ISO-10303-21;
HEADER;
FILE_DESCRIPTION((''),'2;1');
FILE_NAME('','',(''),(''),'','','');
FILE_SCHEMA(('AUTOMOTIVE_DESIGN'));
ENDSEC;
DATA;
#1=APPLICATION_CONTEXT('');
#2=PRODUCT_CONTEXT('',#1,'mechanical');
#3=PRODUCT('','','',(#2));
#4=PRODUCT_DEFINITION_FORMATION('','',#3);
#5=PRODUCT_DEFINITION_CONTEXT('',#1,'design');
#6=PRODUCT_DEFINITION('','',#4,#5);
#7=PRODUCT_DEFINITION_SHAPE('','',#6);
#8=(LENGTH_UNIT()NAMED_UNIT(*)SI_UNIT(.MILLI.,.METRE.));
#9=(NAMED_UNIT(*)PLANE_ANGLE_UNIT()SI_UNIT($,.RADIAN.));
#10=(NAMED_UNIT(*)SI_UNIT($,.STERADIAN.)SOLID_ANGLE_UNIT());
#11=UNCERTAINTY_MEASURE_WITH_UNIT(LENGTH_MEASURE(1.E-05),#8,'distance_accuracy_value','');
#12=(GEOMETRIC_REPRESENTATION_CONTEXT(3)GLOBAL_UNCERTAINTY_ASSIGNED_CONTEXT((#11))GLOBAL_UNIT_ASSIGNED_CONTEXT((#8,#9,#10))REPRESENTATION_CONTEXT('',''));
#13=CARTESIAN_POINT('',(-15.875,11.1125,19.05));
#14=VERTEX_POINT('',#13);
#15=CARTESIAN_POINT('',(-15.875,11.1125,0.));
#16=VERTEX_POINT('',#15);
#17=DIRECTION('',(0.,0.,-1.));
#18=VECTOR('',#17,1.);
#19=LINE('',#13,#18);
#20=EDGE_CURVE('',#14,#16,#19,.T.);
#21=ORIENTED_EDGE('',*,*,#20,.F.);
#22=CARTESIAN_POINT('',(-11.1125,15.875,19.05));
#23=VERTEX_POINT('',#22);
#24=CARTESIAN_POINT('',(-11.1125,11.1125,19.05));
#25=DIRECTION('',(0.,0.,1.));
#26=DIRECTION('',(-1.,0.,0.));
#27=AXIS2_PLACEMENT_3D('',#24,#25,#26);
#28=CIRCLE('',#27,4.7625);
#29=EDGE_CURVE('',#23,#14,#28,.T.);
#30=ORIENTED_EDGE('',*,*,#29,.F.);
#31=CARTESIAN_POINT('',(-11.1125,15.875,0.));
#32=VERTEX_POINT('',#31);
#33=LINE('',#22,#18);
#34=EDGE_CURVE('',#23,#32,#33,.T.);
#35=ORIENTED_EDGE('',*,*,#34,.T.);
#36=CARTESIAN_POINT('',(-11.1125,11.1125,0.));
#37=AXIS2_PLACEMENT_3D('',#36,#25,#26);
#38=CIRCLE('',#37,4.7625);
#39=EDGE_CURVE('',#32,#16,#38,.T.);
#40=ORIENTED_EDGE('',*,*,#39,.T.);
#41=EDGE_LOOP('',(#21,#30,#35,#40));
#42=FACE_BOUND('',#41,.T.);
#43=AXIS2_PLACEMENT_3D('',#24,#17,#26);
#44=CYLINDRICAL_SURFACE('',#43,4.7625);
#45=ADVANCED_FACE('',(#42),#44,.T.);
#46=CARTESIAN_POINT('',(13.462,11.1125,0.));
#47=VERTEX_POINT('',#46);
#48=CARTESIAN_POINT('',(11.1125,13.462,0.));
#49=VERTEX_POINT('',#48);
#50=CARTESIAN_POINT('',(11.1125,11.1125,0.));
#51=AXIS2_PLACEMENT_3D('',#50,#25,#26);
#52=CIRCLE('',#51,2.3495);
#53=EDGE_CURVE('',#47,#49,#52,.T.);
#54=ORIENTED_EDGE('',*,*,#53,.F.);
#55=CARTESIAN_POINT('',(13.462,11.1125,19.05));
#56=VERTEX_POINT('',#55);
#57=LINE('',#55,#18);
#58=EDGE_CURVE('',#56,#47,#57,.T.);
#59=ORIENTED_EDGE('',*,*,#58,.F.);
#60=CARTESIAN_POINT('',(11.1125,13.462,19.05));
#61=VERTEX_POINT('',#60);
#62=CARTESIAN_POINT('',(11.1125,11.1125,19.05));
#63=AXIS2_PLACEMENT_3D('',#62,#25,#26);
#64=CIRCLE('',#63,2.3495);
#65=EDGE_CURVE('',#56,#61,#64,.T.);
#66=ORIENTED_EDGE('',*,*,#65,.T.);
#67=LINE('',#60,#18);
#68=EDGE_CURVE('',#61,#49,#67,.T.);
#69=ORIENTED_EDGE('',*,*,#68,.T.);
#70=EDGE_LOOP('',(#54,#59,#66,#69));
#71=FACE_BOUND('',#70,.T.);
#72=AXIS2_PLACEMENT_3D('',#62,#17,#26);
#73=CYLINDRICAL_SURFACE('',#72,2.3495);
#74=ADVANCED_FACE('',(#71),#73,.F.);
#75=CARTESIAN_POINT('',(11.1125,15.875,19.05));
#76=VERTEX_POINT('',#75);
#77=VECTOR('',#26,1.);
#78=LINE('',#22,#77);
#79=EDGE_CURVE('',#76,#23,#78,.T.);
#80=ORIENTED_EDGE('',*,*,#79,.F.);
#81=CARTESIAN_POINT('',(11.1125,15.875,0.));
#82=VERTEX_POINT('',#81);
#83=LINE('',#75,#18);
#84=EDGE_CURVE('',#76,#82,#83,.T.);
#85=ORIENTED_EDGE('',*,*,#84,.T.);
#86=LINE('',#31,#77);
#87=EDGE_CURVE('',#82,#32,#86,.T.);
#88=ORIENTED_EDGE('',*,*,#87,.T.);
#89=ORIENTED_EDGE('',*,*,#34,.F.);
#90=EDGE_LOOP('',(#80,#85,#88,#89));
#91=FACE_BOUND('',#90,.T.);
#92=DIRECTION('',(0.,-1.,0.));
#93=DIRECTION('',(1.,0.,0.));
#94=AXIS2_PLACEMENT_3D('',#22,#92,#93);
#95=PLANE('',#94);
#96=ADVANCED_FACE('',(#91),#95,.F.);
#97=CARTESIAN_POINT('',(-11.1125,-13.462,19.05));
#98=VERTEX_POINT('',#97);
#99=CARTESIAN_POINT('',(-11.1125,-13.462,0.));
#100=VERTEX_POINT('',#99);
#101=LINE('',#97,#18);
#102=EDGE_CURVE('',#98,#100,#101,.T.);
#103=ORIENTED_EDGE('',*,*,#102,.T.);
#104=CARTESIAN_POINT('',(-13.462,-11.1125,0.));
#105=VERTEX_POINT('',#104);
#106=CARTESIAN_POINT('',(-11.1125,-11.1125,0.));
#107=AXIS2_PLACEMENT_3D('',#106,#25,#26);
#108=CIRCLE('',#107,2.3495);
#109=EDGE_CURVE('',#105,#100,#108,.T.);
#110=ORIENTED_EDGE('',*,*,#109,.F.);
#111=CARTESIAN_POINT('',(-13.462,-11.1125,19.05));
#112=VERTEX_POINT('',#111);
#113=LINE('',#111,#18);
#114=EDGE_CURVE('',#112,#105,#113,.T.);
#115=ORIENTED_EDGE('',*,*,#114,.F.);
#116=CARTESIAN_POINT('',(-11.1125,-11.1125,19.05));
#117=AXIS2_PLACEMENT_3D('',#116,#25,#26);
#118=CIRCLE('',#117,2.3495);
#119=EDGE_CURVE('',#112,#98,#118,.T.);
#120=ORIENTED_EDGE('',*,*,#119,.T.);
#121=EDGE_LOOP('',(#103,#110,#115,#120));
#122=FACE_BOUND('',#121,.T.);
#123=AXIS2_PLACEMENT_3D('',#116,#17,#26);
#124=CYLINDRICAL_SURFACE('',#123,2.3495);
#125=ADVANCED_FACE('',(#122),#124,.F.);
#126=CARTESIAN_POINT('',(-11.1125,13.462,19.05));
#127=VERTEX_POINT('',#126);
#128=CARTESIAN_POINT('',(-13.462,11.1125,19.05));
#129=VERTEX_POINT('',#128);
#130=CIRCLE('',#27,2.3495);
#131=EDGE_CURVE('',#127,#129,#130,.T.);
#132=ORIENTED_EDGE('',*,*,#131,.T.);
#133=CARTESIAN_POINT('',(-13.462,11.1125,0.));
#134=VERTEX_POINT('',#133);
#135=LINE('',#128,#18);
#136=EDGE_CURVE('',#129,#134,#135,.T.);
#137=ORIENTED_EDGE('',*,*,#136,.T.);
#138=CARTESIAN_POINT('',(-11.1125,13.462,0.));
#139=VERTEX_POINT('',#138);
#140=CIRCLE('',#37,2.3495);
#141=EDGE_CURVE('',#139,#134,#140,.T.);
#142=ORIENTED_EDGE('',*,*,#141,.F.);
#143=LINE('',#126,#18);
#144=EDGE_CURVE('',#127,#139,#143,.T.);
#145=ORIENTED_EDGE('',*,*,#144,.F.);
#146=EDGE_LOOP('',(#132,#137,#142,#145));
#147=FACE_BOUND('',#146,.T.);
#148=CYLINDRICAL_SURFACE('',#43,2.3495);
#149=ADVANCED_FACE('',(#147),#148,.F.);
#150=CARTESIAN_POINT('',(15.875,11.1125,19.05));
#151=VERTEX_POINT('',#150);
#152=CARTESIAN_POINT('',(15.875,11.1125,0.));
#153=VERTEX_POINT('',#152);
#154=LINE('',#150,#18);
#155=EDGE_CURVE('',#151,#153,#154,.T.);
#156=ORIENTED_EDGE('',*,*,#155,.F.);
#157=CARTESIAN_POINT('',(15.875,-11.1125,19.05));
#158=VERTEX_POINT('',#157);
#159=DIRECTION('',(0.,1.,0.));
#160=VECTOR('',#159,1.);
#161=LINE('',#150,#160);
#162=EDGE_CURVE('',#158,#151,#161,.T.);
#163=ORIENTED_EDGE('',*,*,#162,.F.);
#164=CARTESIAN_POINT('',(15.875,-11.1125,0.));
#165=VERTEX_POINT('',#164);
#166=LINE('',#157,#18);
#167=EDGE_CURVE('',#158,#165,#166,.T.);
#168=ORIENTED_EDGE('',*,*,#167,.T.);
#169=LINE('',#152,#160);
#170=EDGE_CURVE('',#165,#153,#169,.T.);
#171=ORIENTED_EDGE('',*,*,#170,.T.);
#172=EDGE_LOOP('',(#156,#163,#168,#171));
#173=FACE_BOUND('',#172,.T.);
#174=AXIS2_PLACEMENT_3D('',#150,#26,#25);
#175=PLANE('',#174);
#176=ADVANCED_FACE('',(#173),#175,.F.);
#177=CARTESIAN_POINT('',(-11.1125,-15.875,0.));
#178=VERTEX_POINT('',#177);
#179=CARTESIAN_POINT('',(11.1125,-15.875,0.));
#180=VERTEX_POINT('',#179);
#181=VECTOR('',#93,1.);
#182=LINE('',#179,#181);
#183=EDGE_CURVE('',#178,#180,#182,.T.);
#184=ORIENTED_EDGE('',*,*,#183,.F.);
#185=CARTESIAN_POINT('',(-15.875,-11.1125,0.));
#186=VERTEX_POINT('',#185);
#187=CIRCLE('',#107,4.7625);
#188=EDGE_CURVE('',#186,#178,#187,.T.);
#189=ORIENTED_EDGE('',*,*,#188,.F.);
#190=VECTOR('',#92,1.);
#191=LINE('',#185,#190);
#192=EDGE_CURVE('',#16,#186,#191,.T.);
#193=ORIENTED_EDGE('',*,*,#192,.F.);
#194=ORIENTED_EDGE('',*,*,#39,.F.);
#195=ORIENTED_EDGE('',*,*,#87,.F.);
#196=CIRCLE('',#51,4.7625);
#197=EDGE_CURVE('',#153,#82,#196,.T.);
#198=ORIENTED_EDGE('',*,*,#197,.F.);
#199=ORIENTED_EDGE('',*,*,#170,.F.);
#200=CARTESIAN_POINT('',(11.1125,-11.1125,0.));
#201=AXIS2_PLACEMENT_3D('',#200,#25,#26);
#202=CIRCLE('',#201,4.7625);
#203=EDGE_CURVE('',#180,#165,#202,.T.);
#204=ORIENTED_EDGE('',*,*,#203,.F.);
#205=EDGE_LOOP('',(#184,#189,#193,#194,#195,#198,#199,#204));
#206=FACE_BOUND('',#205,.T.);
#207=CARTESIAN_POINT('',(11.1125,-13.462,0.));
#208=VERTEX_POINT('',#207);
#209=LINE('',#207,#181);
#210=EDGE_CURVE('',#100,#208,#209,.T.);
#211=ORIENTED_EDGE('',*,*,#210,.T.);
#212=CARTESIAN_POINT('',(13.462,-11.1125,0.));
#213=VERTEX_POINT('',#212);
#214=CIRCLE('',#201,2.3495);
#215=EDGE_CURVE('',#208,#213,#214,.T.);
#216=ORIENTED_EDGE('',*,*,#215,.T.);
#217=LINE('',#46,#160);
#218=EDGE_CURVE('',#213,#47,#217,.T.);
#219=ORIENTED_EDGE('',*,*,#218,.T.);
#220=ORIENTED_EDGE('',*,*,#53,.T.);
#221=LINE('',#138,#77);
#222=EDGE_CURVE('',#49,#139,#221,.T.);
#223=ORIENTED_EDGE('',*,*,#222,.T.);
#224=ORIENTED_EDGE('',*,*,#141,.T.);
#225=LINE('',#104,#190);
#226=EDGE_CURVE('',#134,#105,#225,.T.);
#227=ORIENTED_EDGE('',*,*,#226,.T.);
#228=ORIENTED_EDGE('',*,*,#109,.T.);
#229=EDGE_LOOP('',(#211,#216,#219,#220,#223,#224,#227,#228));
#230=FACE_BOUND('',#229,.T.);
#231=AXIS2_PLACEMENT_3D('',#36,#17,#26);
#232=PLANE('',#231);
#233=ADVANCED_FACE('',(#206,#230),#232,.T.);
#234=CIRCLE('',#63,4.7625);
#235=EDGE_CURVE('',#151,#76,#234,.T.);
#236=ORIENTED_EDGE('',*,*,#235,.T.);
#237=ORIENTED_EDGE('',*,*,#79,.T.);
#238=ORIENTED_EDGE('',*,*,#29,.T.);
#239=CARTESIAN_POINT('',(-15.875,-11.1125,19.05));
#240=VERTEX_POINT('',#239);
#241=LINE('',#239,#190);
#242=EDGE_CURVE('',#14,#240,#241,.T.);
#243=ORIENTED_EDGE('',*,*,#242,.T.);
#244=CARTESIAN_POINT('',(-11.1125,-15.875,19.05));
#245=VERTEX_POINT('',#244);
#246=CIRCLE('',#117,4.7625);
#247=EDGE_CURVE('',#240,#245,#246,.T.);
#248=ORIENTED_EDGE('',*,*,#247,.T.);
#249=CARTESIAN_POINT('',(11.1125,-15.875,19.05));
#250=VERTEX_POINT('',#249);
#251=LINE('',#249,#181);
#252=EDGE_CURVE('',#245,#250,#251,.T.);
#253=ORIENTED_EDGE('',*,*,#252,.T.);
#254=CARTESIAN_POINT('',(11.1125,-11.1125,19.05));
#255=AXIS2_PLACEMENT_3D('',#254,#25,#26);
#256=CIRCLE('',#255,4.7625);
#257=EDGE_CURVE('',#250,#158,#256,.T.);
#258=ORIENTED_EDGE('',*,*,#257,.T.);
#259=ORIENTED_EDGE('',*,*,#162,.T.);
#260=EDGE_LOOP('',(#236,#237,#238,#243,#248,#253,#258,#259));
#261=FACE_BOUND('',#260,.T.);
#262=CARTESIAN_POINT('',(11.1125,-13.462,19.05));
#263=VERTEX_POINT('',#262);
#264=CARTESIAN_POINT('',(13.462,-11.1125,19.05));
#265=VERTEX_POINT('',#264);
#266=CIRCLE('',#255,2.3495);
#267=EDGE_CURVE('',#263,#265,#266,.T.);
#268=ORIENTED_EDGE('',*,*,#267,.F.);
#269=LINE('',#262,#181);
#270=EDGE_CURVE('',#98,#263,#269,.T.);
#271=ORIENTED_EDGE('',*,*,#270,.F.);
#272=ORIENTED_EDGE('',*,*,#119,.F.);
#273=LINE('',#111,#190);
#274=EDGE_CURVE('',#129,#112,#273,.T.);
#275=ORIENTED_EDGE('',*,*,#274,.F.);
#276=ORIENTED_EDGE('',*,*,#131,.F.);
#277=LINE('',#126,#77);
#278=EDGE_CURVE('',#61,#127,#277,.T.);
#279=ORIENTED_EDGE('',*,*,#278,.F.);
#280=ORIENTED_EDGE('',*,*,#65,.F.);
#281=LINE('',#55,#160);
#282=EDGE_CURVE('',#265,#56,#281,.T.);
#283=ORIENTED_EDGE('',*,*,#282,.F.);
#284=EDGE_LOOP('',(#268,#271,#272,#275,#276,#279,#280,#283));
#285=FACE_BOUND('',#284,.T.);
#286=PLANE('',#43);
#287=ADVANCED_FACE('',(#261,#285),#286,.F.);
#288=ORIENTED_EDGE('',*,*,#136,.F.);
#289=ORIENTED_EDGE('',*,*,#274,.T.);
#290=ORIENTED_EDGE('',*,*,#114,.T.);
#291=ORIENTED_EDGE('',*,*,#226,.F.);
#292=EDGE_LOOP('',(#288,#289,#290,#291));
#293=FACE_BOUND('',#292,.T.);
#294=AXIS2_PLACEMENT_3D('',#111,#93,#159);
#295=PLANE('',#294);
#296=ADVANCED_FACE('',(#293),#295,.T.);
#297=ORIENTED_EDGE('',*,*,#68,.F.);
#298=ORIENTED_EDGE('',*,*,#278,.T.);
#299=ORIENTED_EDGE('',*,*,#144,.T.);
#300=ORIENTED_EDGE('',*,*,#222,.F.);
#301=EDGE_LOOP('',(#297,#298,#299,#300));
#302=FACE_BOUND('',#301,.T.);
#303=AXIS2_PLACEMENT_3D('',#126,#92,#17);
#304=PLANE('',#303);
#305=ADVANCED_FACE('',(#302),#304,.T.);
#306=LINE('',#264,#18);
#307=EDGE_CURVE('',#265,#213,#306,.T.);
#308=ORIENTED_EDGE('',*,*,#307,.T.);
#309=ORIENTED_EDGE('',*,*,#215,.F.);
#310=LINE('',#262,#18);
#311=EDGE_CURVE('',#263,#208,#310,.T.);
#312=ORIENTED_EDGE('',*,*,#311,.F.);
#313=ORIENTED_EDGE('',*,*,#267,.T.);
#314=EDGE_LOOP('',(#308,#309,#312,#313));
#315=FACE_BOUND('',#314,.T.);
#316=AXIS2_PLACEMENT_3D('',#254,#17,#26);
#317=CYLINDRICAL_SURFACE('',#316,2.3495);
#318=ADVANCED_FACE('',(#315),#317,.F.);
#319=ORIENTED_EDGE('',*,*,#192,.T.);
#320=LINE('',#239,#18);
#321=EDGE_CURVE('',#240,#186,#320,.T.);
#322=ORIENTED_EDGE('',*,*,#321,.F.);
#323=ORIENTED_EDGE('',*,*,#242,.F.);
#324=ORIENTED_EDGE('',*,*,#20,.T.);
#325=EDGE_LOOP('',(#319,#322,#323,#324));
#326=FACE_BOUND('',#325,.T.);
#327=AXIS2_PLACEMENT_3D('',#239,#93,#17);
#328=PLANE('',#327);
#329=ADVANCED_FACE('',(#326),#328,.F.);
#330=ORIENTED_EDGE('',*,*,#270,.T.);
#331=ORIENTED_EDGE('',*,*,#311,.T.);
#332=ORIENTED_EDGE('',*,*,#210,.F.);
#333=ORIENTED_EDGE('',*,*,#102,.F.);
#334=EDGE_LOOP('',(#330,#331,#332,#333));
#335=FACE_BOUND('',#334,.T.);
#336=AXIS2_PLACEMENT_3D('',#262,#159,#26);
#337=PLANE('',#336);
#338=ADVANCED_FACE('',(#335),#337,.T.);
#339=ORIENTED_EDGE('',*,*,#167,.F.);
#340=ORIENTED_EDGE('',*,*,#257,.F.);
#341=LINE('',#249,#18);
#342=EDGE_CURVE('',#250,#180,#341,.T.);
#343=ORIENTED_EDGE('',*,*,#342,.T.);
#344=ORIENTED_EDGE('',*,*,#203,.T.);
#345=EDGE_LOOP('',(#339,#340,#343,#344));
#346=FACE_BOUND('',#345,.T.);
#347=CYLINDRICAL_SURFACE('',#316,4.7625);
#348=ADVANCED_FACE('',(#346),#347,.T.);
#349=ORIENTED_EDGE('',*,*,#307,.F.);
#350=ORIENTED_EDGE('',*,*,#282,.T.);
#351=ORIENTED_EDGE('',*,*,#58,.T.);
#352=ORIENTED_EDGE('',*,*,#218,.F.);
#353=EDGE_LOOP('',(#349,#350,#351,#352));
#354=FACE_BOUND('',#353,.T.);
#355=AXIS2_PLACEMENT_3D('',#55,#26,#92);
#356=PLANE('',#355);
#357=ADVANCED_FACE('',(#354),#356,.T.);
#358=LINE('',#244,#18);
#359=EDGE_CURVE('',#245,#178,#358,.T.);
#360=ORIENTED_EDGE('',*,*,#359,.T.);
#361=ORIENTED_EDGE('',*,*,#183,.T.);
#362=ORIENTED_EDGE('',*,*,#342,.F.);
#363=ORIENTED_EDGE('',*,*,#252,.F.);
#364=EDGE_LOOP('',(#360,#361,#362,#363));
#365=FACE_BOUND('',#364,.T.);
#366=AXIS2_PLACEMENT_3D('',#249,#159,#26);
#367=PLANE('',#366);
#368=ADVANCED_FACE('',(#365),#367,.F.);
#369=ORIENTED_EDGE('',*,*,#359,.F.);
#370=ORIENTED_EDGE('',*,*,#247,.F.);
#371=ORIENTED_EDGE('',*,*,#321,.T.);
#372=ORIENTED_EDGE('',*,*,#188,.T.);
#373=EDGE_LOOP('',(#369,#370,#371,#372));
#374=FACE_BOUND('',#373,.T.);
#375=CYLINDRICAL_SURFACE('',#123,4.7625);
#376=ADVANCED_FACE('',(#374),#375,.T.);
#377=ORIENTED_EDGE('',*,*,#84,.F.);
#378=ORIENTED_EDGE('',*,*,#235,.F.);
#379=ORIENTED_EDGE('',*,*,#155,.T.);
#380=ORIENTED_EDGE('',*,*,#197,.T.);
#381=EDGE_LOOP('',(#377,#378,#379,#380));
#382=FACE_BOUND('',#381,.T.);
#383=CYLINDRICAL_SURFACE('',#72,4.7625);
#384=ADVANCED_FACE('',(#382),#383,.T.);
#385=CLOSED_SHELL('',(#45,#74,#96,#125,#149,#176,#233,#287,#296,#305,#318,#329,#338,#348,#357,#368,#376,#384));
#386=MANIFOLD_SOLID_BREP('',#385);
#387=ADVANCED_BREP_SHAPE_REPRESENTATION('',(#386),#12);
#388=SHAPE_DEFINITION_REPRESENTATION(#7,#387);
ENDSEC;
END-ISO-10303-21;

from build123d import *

# Parameters (mm, degrees)
BOSS_EXTRUDE1_DEPTH = 19.05


with BuildPart() as part:
    # Sketch1 → Boss-Extrude1 (new body)
    with BuildSketch(Plane.XY):
        with BuildLine():
            Line((-11.1125, 15.875), (11.1125, 15.875))
            ThreePointArc((11.1125, 15.875), (14.480096045, 14.480096045), (15.875, 11.1125))
            Line((15.875, 11.1125), (15.875, -11.1125))
            ThreePointArc((15.875, -11.1125), (14.480096045, -14.480096045), (11.1125, -15.875))
            Line((11.1125, -15.875), (-11.1125, -15.875))
            ThreePointArc((-11.1125, -15.875), (-14.480096045, -14.480096045), (-15.875, -11.1125))
            Line((-15.875, -11.1125), (-15.875, 11.1125))
            ThreePointArc((-15.875, 11.1125), (-14.480096045, 14.480096045), (-11.1125, 15.875))
        make_face()
        with BuildLine():
            Line((-11.1125, 13.462), (11.1125, 13.462))
            ThreePointArc((11.1125, 13.462), (12.773847382, 12.773847382), (13.462, 11.1125))
            Line((13.462, 11.1125), (13.462, -11.1125))
            ThreePointArc((13.462, -11.1125), (12.773847382, -12.773847382), (11.1125, -13.462))
            Line((11.1125, -13.462), (-11.1125, -13.462))
            ThreePointArc((-11.1125, -13.462), (-12.773847382, -12.773847382), (-13.462, -11.1125))
            Line((-13.462, -11.1125), (-13.462, 11.1125))
            ThreePointArc((-13.462, 11.1125), (-12.773847382, 12.773847382), (-11.1125, 13.462))
        make_face(mode=Mode.SUBTRACT)
    extrude(amount=BOSS_EXTRUDE1_DEPTH)


solid = part.part
